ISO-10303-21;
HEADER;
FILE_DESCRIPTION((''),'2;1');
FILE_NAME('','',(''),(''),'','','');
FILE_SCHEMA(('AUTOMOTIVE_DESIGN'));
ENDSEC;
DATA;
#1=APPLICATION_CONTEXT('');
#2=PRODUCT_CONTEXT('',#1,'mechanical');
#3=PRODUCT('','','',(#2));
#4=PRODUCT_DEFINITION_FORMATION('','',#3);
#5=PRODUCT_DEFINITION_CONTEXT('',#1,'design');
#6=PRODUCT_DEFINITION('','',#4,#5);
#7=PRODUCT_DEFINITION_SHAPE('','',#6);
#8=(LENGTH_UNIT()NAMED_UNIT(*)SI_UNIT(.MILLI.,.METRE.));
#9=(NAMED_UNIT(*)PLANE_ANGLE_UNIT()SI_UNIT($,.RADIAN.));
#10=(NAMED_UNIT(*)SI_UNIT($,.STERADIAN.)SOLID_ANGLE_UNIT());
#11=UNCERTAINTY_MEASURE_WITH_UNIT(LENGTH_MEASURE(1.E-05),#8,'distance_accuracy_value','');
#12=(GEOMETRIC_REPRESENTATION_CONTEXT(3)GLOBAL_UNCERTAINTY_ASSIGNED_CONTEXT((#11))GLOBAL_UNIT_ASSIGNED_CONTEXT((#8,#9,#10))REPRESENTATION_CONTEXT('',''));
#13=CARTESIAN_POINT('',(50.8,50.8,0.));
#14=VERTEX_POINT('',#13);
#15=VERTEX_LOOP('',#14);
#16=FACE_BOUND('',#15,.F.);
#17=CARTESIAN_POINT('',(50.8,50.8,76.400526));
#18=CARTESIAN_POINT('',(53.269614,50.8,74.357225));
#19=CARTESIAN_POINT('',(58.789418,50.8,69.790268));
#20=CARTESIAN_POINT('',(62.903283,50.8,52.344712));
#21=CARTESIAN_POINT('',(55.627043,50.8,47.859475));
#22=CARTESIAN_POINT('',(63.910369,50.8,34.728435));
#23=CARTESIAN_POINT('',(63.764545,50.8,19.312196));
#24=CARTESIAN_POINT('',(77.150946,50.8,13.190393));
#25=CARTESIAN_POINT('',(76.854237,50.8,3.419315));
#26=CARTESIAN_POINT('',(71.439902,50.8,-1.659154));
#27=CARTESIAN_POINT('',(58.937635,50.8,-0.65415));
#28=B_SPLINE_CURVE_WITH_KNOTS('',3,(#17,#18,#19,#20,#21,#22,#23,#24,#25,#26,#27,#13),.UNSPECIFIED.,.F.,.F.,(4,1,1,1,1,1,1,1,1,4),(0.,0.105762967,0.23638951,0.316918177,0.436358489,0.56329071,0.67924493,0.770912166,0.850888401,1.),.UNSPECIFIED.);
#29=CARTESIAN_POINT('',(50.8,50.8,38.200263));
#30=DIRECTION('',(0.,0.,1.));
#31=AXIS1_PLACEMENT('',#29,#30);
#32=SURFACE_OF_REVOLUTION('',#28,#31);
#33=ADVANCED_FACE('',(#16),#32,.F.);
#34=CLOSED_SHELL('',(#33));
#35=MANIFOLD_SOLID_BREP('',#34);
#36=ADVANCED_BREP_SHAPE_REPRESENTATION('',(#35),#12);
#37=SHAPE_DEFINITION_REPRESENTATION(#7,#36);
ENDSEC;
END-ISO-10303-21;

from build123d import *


with BuildPart() as f1:
    # F0 (on Front) → F1 (revolve)
    with BuildSketch(Plane.XZ):
        with BuildLine():
            Line((0, 76.4005258679), (0, 0))
            add(Edge.make_bspline(
                [(0, 76.4005258679), (2.4696141549, 74.3572248719), (7.9894184689, 69.7902678717), (12.1032827155, 52.3447115139), (4.8270430665, 47.8594753689), (13.1103689845, 34.7284351485), (12.9645454484, 19.3121964504), (26.3509457554, 13.1903927876), (26.0542370461, 3.4193152329), (20.6399023442, -1.6591541121), (8.137634751, -0.6541499051), (0, 0)],
                knots=[0, 0, 0, 0, 0.1057629666, 0.2363895097, 0.3169181772, 0.4363584888, 0.5632907104, 0.6792449296, 0.7709121662, 0.8508884006, 1, 1, 1, 1], degree=3))
        make_face()
    revolve(axis=Axis((0, 0, 38.200262934), (0, 0, 1)))


with BuildPart() as f1_1:
    # F2: moved
    add(f1.part.moved(Location((50.8, 50.8, 0))))


solid = f1_1.part
